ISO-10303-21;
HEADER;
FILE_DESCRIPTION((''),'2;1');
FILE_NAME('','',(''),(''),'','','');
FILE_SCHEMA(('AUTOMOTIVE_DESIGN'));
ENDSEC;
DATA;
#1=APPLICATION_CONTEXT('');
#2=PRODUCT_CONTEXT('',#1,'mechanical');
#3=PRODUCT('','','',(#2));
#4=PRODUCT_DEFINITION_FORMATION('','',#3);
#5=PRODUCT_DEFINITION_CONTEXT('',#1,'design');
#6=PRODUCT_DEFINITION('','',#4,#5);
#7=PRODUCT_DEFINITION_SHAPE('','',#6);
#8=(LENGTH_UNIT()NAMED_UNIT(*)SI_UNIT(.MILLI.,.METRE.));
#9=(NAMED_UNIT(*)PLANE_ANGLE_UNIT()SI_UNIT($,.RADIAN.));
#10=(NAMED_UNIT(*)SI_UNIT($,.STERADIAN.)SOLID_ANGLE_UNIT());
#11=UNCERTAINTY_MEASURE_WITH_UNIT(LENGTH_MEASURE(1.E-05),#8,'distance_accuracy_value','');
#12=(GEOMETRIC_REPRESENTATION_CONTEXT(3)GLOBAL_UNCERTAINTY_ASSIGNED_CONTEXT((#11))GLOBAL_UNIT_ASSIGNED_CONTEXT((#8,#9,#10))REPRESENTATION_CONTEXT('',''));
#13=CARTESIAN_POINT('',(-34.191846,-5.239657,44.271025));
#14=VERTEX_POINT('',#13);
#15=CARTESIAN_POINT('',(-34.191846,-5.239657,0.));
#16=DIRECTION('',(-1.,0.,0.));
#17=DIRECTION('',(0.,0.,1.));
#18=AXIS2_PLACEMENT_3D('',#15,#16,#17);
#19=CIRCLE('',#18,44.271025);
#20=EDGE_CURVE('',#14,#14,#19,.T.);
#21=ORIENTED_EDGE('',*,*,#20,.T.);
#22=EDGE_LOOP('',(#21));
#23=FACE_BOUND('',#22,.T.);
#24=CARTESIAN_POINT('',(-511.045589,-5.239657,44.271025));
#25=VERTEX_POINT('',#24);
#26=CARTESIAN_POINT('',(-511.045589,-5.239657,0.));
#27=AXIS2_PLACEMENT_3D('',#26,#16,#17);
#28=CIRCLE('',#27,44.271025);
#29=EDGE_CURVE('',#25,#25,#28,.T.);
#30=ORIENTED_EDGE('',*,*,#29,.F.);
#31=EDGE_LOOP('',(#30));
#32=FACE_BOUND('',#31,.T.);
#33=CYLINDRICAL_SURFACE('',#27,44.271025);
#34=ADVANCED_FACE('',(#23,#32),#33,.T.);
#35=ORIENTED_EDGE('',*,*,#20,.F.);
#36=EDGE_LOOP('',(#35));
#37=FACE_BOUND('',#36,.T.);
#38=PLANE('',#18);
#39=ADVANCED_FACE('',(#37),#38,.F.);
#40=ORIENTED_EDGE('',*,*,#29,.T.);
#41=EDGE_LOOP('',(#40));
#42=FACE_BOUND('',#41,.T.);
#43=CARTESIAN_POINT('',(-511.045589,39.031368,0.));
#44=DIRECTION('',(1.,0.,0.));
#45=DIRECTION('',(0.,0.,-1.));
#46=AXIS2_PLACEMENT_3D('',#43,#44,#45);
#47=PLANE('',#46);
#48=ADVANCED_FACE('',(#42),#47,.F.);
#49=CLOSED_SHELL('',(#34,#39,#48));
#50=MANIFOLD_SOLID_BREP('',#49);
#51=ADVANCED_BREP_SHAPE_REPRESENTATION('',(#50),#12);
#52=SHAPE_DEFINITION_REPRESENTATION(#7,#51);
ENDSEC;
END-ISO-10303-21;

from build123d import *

# Parameters (mm, degrees)
ESQUISSE1_W = 476.853743392
ESQUISSE1_H = 44.271024872


with BuildPart() as part:
    # Esquisse1 → Révolution1 (revolve)
    with BuildSketch(Plane.XY, mode=Mode.PRIVATE) as r_volution1_sk:
        with Locations((-272.618717632, 16.895855249)):
            Rectangle(ESQUISSE1_W, ESQUISSE1_H)
    revolve(r_volution1_sk.sketch.rotate(Axis((-511.045589328, -5.239657187, 0), (1, 0, 0)), 90), axis=Axis((-511.045589328, -5.239657187, 0), (1, 0, 0)))


solid = part.part
